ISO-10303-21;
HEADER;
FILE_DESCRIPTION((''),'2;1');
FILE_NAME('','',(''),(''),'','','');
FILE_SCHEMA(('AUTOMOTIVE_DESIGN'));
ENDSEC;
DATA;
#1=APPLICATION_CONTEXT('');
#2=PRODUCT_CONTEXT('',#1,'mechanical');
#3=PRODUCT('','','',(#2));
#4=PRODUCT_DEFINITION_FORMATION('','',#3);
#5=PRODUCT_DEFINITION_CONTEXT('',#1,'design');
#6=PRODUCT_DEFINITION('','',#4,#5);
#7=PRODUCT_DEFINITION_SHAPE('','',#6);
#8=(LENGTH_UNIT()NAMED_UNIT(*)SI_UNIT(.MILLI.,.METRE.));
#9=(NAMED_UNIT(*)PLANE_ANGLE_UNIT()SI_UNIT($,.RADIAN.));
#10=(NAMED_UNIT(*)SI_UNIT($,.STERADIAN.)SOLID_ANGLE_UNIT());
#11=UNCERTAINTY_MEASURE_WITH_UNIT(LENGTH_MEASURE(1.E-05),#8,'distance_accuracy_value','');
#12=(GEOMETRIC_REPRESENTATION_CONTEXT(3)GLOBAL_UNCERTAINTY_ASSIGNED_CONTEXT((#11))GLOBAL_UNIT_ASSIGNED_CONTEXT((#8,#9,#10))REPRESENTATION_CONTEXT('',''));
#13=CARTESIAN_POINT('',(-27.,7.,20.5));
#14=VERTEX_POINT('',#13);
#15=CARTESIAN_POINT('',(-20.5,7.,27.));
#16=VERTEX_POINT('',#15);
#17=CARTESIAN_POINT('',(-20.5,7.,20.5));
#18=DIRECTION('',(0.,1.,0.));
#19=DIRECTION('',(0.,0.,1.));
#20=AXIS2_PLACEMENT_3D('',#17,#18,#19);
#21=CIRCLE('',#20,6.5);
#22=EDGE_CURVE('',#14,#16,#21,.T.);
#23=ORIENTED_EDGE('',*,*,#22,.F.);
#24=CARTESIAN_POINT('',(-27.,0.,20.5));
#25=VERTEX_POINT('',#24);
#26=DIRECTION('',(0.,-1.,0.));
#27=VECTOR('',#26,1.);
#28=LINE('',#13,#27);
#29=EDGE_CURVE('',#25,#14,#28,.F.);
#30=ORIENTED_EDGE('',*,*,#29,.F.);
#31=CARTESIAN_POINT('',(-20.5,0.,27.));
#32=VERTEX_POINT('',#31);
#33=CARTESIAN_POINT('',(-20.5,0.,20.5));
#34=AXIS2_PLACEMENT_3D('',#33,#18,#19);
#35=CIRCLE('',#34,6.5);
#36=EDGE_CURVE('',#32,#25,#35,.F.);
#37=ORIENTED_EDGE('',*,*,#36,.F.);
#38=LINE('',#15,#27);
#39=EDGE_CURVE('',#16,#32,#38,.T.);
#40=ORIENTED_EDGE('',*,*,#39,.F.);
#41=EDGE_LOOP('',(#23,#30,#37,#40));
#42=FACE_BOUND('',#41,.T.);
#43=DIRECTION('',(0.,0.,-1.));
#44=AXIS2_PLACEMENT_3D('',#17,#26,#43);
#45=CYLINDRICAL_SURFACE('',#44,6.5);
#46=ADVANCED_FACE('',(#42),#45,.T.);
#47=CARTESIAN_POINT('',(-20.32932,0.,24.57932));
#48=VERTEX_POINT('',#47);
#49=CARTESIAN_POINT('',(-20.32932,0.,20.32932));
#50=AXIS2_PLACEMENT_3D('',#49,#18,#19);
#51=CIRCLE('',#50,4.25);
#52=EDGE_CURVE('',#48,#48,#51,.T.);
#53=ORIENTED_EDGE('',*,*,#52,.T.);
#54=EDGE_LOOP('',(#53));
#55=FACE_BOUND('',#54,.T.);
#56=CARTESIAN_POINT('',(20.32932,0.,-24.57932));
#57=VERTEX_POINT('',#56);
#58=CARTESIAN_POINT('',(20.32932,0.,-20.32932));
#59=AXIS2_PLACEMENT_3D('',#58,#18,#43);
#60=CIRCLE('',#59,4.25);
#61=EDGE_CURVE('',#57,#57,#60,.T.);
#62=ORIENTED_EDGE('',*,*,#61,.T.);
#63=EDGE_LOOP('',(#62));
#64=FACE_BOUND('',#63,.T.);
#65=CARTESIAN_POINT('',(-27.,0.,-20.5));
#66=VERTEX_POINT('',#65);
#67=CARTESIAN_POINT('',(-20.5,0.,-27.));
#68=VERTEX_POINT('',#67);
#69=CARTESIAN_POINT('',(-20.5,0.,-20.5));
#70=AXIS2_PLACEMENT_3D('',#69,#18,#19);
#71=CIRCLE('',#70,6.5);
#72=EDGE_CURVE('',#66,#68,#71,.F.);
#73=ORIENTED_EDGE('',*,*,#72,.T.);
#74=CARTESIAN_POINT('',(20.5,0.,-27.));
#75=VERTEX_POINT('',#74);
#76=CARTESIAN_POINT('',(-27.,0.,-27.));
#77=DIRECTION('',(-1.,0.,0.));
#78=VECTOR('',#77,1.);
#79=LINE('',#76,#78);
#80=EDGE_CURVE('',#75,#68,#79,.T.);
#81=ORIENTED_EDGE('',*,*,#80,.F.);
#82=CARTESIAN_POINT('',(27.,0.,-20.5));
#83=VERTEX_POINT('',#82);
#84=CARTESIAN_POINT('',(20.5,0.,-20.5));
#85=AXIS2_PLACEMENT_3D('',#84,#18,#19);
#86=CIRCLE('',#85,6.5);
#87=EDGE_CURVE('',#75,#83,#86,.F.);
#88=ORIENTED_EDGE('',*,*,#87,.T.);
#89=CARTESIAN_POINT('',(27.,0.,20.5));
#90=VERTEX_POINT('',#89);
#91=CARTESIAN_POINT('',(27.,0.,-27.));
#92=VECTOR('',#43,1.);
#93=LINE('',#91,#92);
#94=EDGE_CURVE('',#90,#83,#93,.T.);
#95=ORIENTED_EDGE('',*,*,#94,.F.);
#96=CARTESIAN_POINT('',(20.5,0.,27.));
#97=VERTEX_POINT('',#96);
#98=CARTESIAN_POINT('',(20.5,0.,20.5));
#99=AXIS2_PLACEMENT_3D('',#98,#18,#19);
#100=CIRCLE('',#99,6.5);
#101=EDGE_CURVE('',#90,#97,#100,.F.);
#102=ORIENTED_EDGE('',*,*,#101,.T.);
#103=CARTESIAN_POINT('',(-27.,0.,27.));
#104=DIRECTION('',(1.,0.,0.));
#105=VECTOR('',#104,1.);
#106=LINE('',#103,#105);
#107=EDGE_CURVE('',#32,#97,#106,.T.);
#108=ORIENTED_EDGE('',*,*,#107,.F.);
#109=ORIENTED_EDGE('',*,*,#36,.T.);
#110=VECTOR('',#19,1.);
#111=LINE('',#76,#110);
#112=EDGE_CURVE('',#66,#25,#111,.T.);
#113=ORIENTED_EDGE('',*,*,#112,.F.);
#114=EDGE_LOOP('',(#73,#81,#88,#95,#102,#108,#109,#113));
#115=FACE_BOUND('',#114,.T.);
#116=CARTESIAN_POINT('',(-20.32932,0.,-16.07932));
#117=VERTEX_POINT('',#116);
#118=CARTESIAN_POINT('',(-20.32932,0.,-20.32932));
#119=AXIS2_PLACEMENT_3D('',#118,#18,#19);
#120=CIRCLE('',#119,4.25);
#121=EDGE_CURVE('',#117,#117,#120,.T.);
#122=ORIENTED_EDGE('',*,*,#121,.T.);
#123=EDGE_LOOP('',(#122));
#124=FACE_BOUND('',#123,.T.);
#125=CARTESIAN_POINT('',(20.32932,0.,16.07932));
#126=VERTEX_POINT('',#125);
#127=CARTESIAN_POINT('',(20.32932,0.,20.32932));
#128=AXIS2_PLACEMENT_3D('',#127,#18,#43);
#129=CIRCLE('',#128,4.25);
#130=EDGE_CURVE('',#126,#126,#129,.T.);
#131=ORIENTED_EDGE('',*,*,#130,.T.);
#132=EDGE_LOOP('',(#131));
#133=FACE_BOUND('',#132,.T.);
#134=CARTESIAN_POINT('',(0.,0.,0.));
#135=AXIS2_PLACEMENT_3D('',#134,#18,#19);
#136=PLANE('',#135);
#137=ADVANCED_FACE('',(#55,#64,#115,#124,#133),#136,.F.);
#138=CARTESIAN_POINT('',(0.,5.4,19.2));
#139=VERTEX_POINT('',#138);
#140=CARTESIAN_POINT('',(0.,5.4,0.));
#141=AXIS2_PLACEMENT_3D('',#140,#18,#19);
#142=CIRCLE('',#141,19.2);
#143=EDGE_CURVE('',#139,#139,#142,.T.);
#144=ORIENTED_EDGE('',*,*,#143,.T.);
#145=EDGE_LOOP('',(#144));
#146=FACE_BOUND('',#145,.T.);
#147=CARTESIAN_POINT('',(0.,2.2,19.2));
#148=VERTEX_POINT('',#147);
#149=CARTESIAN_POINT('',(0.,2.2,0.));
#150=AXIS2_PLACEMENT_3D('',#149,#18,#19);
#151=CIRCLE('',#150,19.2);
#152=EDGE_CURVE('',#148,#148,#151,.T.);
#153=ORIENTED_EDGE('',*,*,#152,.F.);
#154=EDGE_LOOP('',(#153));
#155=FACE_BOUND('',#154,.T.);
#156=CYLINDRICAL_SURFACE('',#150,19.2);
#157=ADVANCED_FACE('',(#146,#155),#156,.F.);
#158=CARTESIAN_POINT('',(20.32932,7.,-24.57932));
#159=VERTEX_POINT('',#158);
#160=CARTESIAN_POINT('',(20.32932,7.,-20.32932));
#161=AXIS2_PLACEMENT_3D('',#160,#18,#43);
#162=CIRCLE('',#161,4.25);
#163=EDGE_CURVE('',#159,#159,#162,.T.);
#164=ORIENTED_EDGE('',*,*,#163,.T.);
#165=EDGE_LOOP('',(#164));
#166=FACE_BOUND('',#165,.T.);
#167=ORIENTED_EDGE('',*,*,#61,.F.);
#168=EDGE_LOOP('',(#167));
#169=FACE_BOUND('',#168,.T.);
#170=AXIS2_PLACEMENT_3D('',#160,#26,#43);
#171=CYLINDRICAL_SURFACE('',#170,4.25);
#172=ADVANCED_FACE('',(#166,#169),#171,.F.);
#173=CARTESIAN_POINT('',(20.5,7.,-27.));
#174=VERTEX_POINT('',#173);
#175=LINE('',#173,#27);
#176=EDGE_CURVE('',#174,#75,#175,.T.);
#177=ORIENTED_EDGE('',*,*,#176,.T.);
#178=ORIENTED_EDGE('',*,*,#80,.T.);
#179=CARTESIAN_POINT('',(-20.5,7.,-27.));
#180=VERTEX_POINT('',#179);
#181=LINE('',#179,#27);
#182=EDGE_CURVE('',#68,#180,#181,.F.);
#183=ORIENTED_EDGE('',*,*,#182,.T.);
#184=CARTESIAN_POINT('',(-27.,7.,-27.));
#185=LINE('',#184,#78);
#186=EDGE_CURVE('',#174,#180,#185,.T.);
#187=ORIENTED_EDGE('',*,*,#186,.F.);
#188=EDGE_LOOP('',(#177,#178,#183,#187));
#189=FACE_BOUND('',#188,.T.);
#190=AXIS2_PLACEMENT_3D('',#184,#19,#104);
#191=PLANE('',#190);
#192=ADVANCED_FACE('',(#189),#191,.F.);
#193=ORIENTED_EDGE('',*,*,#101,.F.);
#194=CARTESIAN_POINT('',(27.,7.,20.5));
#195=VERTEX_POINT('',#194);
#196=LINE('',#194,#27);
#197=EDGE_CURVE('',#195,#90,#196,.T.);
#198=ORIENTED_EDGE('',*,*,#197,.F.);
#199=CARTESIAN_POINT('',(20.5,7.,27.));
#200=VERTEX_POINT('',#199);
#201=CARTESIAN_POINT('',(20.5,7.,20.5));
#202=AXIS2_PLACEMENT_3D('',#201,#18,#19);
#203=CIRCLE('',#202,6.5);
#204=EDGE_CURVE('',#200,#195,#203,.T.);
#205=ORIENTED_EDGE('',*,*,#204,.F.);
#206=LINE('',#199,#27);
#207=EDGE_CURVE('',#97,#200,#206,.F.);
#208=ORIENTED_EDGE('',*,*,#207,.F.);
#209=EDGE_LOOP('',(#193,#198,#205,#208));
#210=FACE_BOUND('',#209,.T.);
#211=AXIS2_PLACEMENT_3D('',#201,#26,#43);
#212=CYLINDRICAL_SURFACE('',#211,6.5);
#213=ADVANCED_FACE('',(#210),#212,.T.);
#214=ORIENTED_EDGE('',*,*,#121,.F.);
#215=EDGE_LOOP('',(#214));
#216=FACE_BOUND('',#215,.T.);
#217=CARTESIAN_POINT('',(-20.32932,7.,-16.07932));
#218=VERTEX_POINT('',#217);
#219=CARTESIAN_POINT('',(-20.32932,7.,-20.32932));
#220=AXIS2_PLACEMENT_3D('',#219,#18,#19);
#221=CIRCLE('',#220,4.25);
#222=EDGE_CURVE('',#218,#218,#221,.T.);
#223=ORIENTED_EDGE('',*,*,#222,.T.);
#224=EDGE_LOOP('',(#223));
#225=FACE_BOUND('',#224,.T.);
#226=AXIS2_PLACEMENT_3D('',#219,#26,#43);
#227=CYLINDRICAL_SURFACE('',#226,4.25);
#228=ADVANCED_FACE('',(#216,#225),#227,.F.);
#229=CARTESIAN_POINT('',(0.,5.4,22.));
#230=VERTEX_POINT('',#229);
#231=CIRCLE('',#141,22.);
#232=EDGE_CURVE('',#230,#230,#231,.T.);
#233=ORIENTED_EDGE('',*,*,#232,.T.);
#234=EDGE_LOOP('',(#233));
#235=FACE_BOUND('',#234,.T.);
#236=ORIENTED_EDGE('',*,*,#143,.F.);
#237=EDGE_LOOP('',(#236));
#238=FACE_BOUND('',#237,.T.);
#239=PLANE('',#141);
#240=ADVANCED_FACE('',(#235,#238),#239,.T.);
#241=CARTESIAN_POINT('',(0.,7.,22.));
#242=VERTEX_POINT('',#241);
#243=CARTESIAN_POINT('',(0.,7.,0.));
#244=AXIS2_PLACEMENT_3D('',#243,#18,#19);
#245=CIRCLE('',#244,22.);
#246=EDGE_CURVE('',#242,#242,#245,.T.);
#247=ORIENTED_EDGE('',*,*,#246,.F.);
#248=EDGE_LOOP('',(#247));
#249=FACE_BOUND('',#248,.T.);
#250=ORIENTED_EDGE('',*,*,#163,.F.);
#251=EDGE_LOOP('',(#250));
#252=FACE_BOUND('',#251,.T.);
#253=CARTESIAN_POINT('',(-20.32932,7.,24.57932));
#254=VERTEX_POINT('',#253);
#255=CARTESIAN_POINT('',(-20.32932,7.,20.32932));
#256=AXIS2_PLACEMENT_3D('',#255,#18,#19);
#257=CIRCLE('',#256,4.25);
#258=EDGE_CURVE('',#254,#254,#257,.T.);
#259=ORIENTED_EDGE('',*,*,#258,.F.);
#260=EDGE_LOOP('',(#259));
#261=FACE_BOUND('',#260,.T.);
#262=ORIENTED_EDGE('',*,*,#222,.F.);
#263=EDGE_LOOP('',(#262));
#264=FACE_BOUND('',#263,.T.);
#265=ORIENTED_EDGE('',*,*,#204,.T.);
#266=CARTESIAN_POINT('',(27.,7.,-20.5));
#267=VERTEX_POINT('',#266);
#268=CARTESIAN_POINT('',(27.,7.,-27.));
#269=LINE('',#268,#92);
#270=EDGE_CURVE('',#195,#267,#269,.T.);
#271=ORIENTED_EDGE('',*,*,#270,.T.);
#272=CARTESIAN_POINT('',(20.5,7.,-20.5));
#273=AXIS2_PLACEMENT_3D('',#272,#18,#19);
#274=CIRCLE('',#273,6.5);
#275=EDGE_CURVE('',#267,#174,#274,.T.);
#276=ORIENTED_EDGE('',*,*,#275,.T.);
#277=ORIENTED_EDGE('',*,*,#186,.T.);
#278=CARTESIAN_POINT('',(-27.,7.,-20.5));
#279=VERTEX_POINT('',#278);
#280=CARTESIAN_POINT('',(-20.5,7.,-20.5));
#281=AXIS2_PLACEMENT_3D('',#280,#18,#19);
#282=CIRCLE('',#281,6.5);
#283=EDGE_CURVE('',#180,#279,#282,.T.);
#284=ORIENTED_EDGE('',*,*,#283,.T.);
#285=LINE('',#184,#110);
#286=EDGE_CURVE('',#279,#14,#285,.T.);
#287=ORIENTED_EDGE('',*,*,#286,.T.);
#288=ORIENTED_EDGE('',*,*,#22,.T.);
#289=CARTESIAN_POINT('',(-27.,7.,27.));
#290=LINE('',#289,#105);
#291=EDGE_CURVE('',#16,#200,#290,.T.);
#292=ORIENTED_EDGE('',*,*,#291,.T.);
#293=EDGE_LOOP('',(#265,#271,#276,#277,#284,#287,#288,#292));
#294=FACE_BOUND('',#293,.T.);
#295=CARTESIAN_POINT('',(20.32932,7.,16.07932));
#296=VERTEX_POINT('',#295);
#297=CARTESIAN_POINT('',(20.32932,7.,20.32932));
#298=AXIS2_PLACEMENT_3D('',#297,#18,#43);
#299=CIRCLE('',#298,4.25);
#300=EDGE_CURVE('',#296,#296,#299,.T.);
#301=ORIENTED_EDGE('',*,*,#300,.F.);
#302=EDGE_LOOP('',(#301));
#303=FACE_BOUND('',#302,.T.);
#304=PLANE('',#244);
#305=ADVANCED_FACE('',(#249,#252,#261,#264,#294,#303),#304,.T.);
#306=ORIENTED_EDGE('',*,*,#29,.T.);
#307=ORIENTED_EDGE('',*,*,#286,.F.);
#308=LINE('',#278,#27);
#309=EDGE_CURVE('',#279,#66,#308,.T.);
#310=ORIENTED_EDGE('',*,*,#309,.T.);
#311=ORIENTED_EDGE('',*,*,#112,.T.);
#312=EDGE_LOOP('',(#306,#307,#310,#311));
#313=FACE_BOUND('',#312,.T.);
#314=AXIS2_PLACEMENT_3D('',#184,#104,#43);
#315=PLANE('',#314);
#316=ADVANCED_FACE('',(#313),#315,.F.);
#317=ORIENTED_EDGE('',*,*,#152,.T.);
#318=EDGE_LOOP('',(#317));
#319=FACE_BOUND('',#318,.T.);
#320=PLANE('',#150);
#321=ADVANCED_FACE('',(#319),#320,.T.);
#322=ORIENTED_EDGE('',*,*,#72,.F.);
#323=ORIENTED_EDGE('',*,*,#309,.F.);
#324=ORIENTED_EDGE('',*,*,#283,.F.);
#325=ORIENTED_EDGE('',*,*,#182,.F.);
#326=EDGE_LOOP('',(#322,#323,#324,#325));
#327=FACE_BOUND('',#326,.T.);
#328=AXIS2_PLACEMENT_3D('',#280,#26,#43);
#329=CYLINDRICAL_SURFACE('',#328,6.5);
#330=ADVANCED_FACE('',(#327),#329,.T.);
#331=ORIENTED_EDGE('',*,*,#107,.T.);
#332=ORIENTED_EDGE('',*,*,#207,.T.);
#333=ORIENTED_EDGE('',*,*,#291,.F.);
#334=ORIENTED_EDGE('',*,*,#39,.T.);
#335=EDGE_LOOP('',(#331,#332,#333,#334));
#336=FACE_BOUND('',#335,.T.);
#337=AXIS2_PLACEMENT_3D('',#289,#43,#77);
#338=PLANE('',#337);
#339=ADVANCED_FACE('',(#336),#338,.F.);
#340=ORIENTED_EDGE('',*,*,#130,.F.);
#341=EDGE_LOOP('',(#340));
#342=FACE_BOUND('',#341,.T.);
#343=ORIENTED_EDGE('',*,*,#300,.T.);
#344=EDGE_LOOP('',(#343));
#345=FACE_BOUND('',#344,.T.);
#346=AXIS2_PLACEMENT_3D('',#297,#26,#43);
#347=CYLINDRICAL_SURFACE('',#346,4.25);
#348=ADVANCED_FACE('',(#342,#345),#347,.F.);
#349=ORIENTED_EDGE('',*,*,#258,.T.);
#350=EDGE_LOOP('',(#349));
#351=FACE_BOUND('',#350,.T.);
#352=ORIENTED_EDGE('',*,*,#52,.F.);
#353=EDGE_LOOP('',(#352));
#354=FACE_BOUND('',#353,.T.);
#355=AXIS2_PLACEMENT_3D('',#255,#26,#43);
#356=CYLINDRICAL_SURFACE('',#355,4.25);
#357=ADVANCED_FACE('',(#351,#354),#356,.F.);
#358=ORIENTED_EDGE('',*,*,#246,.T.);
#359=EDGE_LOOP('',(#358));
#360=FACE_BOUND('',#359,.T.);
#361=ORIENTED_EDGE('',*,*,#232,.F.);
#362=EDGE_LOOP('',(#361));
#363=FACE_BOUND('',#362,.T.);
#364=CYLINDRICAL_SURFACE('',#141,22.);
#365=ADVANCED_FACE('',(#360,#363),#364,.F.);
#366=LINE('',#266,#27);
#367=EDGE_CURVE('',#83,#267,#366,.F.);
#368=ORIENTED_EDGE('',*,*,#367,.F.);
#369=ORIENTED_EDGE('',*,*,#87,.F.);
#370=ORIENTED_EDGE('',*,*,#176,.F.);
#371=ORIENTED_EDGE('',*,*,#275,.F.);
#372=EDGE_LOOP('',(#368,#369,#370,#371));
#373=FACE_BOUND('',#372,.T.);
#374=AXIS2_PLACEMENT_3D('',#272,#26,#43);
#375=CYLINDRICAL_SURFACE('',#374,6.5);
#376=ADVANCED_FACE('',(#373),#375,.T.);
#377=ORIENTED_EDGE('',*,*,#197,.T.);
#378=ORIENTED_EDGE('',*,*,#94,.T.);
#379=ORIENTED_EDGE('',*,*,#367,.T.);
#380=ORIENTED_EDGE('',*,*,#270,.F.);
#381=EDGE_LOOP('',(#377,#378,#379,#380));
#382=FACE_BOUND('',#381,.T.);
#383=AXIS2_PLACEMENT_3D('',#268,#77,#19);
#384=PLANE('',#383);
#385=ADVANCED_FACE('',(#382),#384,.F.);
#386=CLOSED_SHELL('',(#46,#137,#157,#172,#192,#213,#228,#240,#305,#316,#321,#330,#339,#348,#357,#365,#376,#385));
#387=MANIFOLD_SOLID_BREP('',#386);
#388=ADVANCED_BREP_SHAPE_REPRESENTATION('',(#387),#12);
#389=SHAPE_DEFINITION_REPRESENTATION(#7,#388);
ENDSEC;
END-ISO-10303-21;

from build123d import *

# Parameters (mm, degrees)
SKETCH1_W           = 54
SKETCH1_H           = 54
SKETCH1_R           = 4.25
BOSS_EXTRUDE1_DEPTH = 7
FILLET2_R           = 6.5
SKETCH2_R           = 22
CUT_EXTRUDE1_DEPTH  = 1.6
SKETCH3_R           = 19.2
CUT_EXTRUDE2_DEPTH  = 3.2


with BuildPart() as part:
    # Sketch1 → Boss-Extrude1 (new body)
    with BuildSketch(Plane(origin=(0, 0, 0), x_dir=(1, 0, 0), z_dir=(0, 1, 0))):
        Rectangle(SKETCH1_W, SKETCH1_H)
        with Locations(Location((-20.329319959, 20.329319959, 0), (0, 0, 270))):
            Circle(SKETCH1_R, mode=Mode.SUBTRACT)
        with Locations(Location((20.329319959, -20.329319959, 0), (0, 0, 90))):
            Circle(SKETCH1_R, mode=Mode.SUBTRACT)
        with Locations(Location((-20.329319959, -20.329319959, 0), (0, 0, 270))):
            Circle(SKETCH1_R, mode=Mode.SUBTRACT)
        with Locations(Location((20.329319959, 20.329319959, 0), (0, 0, 90))):
            Circle(SKETCH1_R, mode=Mode.SUBTRACT)
    extrude(amount=BOSS_EXTRUDE1_DEPTH)

    # Fillet2
    fillet2_edges = [part.edges().sort_by_distance(p)[0] for p in [
        (27, 3.5, 27),
        (-27, 3.5, 27),
        (-27, 3.5, -27),
        (27, 3.5, -27),
    ]]
    fillet(fillet2_edges, radius=FILLET2_R)

    # Sketch2 → Cut-Extrude1 (cut)
    with BuildSketch(Plane(origin=(0, 7, 0), x_dir=(1, 0, 0), z_dir=(0, 1, 0))):
        with Locations(Location((0, 0, 0), (0, 0, 270))):
            Circle(SKETCH2_R)
    extrude(amount=-CUT_EXTRUDE1_DEPTH, mode=Mode.SUBTRACT)

    # Sketch3 → Cut-Extrude2 (cut)
    with BuildSketch(Plane(origin=(0, 5.4, 0), x_dir=(1, 0, 0), z_dir=(0, 1, 0))):
        with Locations(Location((0, 0, 0), (0, 0, 270))):
            Circle(SKETCH3_R)
    extrude(amount=-CUT_EXTRUDE2_DEPTH, mode=Mode.SUBTRACT)


solid = part.part
